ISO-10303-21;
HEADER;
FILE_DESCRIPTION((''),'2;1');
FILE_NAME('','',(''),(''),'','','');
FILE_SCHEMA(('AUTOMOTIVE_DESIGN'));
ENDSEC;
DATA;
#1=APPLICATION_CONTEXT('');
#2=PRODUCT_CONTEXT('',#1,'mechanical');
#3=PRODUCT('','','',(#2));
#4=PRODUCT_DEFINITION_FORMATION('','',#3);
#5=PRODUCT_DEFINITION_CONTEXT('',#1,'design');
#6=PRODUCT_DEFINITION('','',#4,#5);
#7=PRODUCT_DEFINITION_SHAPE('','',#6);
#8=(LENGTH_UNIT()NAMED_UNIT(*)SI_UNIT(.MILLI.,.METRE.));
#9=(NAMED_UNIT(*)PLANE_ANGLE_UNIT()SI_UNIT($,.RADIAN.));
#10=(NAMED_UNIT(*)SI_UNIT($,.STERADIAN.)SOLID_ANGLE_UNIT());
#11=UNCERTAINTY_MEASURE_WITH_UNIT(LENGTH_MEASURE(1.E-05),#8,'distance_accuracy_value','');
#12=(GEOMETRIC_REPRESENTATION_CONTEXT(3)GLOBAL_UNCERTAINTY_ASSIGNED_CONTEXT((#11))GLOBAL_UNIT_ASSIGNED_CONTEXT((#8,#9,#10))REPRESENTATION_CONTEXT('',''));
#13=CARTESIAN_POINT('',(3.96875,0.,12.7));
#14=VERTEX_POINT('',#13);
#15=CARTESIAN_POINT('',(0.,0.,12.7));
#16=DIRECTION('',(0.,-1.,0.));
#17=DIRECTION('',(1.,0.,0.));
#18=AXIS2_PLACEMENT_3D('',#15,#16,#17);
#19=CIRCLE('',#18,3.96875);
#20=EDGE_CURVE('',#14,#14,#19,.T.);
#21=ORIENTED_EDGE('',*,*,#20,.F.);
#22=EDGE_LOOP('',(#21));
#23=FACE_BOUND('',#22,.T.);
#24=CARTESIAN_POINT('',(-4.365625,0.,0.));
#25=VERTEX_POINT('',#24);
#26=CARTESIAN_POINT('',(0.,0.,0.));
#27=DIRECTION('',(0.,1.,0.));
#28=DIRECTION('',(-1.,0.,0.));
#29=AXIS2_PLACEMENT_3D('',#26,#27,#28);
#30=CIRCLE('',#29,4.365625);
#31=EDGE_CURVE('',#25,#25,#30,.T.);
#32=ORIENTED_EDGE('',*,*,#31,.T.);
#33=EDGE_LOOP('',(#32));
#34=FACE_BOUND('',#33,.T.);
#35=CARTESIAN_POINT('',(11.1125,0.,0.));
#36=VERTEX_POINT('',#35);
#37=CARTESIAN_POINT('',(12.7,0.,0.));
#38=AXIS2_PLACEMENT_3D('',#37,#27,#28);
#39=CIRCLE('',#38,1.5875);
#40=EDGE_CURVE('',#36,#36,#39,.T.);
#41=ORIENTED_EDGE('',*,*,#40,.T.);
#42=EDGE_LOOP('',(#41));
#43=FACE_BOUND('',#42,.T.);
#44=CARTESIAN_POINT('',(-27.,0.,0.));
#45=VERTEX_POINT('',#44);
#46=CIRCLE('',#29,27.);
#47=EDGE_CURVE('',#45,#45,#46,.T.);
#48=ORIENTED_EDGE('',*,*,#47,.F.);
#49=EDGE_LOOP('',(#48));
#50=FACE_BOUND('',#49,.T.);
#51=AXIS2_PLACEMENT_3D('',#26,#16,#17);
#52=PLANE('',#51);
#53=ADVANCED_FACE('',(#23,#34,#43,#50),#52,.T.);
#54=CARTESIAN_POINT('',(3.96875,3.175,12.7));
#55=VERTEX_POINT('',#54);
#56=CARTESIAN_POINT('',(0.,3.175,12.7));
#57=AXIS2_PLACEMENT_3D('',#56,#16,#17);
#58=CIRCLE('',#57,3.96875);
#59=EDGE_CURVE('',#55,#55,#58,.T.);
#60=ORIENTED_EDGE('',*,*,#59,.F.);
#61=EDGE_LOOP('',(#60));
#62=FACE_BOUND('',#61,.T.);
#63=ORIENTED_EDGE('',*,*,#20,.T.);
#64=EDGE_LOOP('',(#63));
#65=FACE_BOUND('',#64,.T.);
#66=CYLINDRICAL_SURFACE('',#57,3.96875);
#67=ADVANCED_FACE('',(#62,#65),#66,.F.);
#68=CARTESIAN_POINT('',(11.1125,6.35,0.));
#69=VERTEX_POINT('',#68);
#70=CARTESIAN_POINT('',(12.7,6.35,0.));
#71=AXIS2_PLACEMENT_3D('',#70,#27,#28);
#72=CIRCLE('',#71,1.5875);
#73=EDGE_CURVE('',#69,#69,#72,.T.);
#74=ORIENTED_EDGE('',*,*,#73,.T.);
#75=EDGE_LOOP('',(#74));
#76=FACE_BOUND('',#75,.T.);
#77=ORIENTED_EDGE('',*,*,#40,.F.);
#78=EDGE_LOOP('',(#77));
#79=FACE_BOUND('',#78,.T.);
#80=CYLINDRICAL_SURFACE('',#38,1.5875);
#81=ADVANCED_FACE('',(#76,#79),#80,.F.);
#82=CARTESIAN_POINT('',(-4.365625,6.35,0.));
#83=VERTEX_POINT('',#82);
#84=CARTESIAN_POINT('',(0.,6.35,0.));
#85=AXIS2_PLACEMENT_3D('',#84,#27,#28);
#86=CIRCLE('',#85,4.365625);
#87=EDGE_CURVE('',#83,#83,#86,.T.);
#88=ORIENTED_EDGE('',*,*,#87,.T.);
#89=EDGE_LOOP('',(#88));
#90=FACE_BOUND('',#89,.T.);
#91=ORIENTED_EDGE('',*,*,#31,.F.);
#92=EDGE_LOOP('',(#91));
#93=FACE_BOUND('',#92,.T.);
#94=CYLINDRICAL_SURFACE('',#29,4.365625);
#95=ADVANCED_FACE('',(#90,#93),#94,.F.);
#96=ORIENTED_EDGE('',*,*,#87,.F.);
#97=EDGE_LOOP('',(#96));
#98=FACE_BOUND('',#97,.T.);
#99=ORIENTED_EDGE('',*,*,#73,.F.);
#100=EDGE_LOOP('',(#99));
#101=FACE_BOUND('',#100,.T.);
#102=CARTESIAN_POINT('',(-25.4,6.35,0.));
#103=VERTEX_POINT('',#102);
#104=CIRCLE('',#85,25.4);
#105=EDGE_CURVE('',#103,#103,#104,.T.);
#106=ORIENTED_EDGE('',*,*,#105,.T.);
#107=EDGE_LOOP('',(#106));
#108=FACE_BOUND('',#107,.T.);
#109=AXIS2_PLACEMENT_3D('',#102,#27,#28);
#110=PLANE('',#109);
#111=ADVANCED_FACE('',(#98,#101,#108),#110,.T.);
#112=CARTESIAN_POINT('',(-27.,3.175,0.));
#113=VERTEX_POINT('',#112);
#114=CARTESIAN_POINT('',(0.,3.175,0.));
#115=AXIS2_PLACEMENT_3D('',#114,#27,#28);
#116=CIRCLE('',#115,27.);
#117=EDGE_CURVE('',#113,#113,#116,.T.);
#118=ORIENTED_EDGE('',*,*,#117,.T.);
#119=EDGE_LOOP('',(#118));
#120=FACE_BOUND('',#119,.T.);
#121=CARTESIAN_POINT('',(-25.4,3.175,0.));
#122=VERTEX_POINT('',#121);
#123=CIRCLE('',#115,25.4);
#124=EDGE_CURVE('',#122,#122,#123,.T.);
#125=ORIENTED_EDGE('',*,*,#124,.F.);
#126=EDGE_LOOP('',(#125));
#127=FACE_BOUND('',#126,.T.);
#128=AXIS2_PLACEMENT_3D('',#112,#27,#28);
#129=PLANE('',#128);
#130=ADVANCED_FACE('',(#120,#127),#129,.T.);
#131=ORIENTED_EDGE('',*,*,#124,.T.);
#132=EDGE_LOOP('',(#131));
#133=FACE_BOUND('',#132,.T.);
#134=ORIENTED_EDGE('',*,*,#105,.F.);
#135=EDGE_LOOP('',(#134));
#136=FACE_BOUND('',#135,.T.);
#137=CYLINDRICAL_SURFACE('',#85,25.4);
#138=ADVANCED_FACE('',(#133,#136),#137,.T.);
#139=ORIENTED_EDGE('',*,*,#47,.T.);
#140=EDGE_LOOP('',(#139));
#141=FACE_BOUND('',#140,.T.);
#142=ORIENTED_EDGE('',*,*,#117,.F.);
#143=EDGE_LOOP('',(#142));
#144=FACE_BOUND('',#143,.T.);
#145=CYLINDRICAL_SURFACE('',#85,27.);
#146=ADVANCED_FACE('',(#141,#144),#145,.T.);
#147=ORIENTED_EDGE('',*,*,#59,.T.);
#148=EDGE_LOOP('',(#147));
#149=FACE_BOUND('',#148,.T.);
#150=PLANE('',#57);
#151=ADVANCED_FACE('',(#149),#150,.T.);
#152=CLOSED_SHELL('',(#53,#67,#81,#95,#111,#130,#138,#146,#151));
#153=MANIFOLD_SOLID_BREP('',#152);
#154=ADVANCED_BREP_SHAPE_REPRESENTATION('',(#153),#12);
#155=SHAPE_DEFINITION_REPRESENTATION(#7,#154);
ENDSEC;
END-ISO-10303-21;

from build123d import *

# Parameters (mm, degrees)
SKETCH2_R               = 4.365625
SKETCH2_R_2             = 1.5875
CUT_EXTRUDE1_DEPTH      = 1
CUT_EXTRUDE1_DEPTH_BACK = 7.35
SKETCH3_R               = 3.96875
CUT_EXTRUDE2_DEPTH      = 3.175


with BuildPart() as part:
    # Sketch1 → Revolve1 (revolve)
    with BuildSketch(Plane.XY):
        Polygon((0, 0), (-27, 0), (-27, 3.175), (-25.4, 3.175), (-25.4, 6.35), (0, 6.35), align=None)
    revolve(axis=Axis((0, 6.35, 0), (0, -1, 0)))

    # Sketch2 → Cut-Extrude1 (cut, two sides)
    with BuildSketch(Plane(origin=(0, 6.35, 0), x_dir=(1, 0, 0), z_dir=(0, 1, 0))) as cut_extrude1_sk:
        Circle(SKETCH2_R)
        with Locations((12.7, 0)):
            Circle(SKETCH2_R_2)
    extrude(amount=CUT_EXTRUDE1_DEPTH, mode=Mode.SUBTRACT)
    extrude(cut_extrude1_sk.sketch, amount=-CUT_EXTRUDE1_DEPTH_BACK, mode=Mode.SUBTRACT)

    # Sketch3 → Cut-Extrude2 (cut)
    with BuildSketch(Plane.XZ):
        with Locations((0, 12.7)):
            Circle(SKETCH3_R)
    extrude(amount=-CUT_EXTRUDE2_DEPTH, mode=Mode.SUBTRACT)


solid = part.part
